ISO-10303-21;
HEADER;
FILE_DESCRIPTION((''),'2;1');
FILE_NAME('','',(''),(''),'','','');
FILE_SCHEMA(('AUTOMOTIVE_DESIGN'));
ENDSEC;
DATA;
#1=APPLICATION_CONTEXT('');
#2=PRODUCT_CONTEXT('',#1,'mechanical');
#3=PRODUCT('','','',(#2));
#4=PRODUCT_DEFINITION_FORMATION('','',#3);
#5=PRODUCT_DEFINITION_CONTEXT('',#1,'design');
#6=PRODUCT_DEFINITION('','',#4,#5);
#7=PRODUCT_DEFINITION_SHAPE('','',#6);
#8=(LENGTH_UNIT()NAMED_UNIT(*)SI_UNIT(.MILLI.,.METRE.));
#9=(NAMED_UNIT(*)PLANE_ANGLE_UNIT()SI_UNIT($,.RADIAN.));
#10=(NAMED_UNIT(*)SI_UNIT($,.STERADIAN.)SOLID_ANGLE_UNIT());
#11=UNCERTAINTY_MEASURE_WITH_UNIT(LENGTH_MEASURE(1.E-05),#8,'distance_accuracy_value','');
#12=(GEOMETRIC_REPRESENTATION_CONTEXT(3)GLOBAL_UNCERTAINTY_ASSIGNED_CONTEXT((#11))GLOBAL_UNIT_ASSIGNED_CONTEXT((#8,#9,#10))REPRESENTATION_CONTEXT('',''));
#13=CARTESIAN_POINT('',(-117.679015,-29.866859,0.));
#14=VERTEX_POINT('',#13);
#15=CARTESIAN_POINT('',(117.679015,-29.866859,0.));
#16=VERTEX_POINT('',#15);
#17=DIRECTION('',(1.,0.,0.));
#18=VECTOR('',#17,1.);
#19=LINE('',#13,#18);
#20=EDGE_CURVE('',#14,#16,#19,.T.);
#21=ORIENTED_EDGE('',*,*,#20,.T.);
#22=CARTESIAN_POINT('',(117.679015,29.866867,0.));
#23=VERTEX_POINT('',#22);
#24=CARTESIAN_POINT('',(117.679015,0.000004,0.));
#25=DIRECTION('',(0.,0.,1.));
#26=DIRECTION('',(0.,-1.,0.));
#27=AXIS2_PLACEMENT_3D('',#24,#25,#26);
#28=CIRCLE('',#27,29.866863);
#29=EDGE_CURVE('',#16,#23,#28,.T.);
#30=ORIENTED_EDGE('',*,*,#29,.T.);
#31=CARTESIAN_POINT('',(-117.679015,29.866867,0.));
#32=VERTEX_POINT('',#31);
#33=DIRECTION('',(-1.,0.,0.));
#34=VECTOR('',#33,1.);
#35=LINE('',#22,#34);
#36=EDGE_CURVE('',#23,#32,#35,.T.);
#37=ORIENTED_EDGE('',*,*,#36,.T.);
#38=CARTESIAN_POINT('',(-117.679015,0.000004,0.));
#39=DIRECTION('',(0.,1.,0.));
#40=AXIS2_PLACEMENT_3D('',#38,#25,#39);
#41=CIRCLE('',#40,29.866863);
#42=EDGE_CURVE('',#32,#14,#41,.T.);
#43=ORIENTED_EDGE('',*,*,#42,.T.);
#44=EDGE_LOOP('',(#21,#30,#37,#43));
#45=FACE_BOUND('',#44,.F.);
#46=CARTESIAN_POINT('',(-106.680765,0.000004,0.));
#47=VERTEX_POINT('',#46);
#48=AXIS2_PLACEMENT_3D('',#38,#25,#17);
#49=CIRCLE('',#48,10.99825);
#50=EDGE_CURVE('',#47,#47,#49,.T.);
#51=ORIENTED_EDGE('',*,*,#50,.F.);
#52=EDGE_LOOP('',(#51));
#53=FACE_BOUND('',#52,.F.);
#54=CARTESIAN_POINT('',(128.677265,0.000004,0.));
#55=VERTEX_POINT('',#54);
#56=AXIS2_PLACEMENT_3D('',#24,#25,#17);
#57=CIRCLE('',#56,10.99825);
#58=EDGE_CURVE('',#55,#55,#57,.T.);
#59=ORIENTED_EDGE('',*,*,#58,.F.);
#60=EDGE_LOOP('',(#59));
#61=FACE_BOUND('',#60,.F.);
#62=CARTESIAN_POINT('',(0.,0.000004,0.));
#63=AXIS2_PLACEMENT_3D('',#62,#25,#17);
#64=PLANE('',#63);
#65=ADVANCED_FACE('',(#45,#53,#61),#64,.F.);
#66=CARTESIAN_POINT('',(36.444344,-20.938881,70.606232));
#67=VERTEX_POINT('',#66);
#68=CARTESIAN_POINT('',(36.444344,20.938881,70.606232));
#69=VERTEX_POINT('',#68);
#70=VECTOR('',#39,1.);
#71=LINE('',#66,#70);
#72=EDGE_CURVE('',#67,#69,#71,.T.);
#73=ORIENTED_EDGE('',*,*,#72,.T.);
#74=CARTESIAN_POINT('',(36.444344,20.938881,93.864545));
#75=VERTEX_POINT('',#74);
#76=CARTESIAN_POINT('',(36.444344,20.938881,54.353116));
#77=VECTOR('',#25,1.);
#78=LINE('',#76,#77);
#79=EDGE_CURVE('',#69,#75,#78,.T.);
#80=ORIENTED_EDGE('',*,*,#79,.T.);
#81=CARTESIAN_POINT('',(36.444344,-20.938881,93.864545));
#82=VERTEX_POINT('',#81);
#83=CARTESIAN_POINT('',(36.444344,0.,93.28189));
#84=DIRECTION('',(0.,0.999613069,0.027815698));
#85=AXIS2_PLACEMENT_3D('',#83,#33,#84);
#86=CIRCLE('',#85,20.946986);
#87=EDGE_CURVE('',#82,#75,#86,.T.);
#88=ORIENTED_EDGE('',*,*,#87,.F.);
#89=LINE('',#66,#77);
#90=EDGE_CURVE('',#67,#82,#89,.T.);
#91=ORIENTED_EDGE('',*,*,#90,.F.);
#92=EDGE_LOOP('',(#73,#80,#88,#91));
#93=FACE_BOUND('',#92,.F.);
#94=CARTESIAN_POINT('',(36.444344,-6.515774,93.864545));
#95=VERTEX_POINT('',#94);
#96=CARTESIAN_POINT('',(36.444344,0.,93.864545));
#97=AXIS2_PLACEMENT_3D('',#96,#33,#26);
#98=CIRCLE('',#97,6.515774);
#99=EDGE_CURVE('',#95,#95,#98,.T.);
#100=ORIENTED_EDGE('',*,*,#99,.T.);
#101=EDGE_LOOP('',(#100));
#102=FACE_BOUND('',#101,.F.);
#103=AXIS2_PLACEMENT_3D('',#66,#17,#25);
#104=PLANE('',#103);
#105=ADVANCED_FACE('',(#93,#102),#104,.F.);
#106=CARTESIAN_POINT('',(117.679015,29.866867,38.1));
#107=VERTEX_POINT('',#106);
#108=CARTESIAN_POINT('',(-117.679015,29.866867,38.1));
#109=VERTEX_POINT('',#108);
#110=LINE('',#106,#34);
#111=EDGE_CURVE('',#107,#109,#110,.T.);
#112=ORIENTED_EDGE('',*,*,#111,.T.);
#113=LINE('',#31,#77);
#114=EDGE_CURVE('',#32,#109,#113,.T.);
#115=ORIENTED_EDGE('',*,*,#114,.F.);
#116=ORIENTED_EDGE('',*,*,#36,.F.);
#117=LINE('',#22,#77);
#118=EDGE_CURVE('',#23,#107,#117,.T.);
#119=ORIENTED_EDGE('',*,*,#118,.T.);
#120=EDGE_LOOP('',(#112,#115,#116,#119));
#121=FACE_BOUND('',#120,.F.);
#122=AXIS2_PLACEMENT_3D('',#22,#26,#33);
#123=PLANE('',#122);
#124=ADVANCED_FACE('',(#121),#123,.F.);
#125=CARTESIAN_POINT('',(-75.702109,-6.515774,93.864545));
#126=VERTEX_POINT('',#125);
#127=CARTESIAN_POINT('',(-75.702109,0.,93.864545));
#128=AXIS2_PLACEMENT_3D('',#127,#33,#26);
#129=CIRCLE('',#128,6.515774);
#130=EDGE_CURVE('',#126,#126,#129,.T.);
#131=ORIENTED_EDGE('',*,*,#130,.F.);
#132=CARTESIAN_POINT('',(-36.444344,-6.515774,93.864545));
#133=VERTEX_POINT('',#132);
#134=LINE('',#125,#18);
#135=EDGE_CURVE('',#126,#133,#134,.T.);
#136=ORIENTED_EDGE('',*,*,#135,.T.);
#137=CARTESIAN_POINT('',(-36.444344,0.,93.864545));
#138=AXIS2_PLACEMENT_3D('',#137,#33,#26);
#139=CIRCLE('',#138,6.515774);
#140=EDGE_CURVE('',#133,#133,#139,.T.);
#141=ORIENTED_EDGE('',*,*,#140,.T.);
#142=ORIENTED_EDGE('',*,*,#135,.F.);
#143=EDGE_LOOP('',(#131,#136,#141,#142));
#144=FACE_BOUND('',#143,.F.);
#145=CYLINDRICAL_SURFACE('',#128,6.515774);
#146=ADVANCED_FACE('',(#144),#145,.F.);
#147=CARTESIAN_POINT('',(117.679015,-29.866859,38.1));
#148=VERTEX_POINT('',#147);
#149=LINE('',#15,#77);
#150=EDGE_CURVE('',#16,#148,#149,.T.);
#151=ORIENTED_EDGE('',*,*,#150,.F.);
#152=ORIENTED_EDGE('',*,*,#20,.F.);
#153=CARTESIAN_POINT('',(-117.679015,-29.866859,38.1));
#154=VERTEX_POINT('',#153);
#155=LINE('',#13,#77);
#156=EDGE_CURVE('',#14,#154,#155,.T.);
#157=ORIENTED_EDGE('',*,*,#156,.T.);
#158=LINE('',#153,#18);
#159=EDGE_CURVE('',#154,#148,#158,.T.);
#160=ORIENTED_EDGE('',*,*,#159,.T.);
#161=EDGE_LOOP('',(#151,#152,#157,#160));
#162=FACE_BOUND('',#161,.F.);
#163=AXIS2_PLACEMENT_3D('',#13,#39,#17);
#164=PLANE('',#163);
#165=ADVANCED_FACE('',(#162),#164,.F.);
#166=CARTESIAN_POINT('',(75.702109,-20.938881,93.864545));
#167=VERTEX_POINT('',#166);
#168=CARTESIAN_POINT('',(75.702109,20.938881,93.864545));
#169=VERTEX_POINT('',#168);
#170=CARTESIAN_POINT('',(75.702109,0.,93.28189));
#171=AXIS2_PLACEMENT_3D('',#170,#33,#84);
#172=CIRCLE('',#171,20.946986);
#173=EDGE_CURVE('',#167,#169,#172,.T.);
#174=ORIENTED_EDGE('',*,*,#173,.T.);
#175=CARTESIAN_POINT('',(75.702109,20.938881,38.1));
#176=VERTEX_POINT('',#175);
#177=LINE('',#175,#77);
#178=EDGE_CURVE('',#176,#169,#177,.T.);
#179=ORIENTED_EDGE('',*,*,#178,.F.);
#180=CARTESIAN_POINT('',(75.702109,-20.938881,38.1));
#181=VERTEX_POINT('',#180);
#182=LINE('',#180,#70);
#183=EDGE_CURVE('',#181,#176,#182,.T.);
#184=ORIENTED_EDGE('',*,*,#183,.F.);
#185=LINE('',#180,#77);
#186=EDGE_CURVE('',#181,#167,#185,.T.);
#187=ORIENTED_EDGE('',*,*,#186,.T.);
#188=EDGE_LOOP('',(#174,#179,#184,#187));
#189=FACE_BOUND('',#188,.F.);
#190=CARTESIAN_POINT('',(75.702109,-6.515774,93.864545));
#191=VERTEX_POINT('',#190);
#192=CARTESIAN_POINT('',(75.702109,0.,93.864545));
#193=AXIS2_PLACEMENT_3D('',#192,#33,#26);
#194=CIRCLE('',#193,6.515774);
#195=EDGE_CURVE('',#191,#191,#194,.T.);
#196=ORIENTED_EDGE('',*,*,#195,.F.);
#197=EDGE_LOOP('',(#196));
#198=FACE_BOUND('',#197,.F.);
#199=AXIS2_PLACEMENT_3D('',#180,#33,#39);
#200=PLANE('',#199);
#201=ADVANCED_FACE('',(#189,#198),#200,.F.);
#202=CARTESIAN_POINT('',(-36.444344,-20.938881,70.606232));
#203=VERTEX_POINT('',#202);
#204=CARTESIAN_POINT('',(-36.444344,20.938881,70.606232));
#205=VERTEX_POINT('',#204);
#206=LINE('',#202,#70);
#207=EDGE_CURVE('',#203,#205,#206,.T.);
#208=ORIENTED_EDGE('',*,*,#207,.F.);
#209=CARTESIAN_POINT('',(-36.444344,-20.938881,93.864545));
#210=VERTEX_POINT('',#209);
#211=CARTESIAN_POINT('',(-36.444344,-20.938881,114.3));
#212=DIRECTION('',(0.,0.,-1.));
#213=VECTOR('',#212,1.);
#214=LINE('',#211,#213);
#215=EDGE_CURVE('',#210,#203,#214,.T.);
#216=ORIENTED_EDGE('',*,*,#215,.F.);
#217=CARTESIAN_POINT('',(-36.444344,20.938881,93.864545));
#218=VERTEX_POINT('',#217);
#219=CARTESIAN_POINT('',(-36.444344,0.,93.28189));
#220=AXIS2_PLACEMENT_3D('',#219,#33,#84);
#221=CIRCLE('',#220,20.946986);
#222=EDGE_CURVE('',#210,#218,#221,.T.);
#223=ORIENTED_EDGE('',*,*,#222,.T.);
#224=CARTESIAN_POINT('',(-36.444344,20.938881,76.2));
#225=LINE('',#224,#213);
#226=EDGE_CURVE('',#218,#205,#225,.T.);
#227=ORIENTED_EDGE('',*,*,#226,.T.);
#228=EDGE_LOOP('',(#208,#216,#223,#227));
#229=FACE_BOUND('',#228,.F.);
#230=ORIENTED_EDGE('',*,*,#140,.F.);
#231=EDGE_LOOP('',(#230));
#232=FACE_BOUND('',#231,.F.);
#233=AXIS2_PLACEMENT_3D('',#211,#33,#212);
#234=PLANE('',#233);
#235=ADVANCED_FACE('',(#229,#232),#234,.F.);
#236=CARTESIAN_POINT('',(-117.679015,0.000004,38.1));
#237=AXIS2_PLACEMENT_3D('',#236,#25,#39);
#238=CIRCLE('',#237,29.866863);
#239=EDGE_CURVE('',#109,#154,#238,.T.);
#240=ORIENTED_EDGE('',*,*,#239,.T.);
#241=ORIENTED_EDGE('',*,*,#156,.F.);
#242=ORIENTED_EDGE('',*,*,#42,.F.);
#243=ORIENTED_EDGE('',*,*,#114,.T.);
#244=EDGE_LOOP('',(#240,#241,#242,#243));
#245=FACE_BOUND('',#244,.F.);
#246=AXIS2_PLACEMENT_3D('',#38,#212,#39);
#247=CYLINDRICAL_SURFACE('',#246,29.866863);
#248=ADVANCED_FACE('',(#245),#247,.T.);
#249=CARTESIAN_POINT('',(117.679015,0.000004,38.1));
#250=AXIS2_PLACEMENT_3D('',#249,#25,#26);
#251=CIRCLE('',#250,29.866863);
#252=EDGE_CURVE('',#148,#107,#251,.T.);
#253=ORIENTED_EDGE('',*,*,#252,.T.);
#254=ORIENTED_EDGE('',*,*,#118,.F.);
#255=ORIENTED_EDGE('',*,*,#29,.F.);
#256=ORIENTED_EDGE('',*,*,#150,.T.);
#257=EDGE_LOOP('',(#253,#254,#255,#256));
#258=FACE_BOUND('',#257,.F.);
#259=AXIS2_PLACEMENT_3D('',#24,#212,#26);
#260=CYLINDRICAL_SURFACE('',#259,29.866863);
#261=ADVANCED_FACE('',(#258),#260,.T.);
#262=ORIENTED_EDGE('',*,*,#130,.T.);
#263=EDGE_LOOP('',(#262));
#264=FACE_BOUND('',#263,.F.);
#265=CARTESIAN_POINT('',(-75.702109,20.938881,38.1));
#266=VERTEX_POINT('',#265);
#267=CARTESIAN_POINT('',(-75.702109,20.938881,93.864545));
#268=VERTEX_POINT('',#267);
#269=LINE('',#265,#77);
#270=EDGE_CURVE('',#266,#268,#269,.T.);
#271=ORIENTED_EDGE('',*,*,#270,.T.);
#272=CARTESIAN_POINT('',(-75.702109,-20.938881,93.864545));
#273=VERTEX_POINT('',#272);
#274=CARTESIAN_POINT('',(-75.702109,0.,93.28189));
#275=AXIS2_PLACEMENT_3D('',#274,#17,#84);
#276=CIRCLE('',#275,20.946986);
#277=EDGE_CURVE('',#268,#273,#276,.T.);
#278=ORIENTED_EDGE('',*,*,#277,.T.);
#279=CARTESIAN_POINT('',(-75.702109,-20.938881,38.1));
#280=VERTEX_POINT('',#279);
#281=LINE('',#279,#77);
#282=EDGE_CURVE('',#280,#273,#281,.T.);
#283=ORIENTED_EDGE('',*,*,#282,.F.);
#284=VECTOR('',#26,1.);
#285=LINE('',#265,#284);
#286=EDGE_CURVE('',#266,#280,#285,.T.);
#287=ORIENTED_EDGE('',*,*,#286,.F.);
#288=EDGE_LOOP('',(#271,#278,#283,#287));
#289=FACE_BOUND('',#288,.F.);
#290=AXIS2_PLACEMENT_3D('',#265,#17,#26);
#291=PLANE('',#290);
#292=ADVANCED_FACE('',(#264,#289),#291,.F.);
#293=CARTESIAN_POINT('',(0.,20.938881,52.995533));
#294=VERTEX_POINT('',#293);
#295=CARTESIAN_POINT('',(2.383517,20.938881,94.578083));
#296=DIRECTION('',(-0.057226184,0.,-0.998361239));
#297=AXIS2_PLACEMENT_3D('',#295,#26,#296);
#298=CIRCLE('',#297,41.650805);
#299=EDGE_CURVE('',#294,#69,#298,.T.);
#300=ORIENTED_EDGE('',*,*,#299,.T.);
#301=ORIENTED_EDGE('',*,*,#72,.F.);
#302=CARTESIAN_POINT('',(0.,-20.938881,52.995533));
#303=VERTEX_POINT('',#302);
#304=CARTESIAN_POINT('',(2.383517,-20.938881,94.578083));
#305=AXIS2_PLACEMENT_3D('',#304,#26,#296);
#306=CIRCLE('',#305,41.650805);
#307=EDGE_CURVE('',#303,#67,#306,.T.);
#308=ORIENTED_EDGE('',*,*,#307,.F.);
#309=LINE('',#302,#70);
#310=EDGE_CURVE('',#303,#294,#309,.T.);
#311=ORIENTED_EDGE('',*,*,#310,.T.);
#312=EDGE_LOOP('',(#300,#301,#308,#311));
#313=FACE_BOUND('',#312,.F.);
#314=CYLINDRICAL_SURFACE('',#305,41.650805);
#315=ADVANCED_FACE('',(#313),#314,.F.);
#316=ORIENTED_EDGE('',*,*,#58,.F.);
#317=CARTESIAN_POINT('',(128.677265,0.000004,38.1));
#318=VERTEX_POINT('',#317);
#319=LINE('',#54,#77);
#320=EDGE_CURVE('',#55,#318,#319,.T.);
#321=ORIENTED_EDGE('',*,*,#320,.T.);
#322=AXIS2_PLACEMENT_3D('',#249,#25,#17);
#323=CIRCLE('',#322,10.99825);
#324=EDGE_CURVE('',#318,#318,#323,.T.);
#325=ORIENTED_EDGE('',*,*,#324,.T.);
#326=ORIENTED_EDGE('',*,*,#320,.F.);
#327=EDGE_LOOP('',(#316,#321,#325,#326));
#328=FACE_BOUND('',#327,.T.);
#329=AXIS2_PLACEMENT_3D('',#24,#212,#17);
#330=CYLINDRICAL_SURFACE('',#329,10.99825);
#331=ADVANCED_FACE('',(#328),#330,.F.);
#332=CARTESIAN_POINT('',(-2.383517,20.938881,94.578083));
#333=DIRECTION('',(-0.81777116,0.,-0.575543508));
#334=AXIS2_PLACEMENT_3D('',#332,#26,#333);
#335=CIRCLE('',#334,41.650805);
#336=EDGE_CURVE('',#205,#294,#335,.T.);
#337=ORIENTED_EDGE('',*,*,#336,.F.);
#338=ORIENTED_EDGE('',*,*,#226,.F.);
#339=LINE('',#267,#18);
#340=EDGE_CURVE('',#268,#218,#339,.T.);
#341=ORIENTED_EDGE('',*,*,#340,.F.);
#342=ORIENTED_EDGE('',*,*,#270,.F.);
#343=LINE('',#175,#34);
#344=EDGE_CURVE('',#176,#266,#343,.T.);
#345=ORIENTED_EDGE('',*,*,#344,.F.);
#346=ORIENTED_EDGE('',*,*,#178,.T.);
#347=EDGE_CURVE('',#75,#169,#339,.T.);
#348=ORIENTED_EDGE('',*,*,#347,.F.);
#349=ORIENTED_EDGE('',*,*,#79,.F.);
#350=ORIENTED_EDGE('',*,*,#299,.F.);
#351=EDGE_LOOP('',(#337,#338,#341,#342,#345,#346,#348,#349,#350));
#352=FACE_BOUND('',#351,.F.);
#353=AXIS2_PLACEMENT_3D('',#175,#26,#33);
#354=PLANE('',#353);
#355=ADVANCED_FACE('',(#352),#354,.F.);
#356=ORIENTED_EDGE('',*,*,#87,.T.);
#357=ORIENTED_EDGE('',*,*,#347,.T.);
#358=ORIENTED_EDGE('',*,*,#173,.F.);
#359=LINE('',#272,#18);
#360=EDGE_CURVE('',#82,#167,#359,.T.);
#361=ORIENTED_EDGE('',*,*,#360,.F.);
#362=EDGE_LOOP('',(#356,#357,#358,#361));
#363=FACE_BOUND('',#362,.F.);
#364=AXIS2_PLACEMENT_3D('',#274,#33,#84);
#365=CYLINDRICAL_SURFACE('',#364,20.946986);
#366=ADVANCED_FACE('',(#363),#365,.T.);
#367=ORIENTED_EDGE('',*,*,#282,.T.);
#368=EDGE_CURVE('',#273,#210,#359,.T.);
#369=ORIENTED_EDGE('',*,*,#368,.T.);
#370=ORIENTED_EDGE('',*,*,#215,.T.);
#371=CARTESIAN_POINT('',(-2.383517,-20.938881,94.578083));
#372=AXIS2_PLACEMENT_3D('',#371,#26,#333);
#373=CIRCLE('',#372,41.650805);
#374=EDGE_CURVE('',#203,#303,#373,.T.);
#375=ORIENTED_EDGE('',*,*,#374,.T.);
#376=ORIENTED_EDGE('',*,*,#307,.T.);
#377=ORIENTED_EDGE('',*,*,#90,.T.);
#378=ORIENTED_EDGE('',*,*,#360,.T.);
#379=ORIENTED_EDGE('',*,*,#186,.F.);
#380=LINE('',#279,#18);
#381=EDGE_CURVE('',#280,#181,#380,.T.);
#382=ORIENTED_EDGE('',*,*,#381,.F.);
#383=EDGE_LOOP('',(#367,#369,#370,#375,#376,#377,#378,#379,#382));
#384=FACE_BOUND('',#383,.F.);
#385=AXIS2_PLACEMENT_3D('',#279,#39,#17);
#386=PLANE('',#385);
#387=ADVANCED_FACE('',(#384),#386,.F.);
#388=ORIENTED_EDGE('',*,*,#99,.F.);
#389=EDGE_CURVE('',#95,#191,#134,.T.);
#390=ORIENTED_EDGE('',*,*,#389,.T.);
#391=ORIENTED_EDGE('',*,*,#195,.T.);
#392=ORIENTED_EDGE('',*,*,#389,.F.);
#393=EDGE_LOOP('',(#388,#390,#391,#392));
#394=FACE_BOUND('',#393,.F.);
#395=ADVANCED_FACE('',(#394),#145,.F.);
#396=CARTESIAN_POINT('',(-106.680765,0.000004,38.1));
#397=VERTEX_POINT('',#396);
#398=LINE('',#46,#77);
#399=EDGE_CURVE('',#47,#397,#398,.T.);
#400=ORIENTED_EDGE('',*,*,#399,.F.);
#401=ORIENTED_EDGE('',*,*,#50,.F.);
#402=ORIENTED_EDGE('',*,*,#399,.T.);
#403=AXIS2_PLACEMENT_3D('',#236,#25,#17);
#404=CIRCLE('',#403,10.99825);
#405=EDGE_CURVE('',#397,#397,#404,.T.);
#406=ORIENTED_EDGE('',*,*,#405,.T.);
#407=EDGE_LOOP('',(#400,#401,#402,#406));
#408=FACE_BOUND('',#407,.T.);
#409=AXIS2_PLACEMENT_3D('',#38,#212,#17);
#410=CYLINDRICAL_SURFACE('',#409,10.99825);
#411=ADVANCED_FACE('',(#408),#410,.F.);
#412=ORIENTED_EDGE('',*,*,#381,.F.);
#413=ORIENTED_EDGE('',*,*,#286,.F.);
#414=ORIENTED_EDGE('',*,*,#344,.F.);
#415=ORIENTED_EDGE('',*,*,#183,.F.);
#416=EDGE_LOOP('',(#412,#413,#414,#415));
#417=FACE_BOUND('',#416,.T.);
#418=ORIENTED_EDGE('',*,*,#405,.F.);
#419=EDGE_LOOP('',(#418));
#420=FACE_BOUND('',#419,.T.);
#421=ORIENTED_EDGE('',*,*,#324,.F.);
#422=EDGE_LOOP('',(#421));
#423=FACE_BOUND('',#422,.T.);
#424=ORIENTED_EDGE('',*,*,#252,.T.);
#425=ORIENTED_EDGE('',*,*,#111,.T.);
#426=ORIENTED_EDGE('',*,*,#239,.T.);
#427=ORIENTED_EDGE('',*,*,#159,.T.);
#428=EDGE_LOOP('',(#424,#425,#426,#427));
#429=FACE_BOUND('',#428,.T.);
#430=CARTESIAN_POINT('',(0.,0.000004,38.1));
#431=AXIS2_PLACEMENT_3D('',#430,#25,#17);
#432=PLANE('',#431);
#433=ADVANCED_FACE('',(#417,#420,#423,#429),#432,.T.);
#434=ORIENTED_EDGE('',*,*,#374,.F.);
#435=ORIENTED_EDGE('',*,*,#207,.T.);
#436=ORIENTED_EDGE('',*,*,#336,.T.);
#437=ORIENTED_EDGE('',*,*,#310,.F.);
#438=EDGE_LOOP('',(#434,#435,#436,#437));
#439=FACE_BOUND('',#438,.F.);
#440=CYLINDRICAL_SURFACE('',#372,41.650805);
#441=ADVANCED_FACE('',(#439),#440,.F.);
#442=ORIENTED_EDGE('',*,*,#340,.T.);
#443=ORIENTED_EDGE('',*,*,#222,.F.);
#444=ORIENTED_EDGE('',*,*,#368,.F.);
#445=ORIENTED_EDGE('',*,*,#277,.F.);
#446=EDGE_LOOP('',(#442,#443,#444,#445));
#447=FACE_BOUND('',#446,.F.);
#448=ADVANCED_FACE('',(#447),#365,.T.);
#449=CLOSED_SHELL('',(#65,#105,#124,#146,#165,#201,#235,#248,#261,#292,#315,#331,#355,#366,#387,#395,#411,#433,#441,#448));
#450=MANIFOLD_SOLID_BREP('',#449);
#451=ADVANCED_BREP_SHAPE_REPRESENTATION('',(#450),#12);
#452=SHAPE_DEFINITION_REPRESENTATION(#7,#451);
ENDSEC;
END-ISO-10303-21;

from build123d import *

# Parameters (mm, degrees)
F0_R     = 10.99825
F1_DEPTH = 38.1
F3_DEPTH = 76.2
F4_R     = 6.515774
F5_DEPTH = 223.248987
F7_DEPTH = 50.806747


with BuildPart() as f1:
    # F0 (on Top) → F1 (new body)
    with BuildSketch(Plane.XY):
        with BuildLine():
            Line((117.679015, 29.866867), (0, 29.866867))
            Line((0, 29.866867), (-117.679015, 29.866867))
            ThreePointArc((-117.679015, 29.866867), (-147.545878, 4e-06), (-117.679015, -29.866859))
            Line((-117.679015, -29.866859), (0, -29.866859))
            Line((0, -29.866859), (117.679015, -29.866859))
            ThreePointArc((117.679015, -29.866859), (147.545878, 4e-06), (117.679015, 29.866867))
        make_face()
        with Locations((-117.679015, 4e-06)):
            Circle(F0_R, mode=Mode.SUBTRACT)
        with Locations((117.679015, 4e-06)):
            Circle(F0_R, mode=Mode.SUBTRACT)
    extrude(amount=F1_DEPTH)

    # F2 (on face) → F3 (join)
    with BuildSketch(Plane.XY.offset(38.1)):
        Polygon((0, 20.938881), (-75.702109, 20.938881), (-75.702109, -20.938881), (0, -20.938881), (75.702109, -20.938881), (75.702109, 20.938881), align=None)
    extrude(amount=F3_DEPTH)

    # F4 (on face) → F5 (cut, through all)
    with BuildSketch(Plane(origin=(-75.702109, 0, 0), x_dir=(0, -1, 0), z_dir=(-1, 0, 0))):
        with Locations((0, 93.864545)):
            Circle(F4_R)
        with BuildLine():
            ThreePointArc((-20.938881, 93.864545), (0, 114.228876), (20.938881, 93.864545))
            Line((20.938881, 93.864545), (20.938881, 114.3))
            Line((20.938881, 114.3), (-20.938881, 114.3))
            Line((-20.938881, 114.3), (-20.938881, 93.864545))
        make_face()
    extrude(amount=-F5_DEPTH, mode=Mode.SUBTRACT)

    # F6 (on face) → F7 (cut, through all)
    with BuildSketch(Plane.XZ.offset(20.938881)):
        with BuildLine():
            Line((36.444344, 70.606232), (36.444344, 114.3))
            Line((36.444344, 114.3), (-36.444344, 114.3))
            Line((-36.444344, 114.3), (-36.444344, 70.606232))
            ThreePointArc((-36.444344, 70.606232), (-20.505249, 57.076184), (0, 52.995533))
            ThreePointArc((0, 52.995533), (20.505249, 57.076184), (36.444344, 70.606232))
        make_face()
    extrude(amount=-F7_DEPTH, mode=Mode.SUBTRACT)


solid = f1.part
